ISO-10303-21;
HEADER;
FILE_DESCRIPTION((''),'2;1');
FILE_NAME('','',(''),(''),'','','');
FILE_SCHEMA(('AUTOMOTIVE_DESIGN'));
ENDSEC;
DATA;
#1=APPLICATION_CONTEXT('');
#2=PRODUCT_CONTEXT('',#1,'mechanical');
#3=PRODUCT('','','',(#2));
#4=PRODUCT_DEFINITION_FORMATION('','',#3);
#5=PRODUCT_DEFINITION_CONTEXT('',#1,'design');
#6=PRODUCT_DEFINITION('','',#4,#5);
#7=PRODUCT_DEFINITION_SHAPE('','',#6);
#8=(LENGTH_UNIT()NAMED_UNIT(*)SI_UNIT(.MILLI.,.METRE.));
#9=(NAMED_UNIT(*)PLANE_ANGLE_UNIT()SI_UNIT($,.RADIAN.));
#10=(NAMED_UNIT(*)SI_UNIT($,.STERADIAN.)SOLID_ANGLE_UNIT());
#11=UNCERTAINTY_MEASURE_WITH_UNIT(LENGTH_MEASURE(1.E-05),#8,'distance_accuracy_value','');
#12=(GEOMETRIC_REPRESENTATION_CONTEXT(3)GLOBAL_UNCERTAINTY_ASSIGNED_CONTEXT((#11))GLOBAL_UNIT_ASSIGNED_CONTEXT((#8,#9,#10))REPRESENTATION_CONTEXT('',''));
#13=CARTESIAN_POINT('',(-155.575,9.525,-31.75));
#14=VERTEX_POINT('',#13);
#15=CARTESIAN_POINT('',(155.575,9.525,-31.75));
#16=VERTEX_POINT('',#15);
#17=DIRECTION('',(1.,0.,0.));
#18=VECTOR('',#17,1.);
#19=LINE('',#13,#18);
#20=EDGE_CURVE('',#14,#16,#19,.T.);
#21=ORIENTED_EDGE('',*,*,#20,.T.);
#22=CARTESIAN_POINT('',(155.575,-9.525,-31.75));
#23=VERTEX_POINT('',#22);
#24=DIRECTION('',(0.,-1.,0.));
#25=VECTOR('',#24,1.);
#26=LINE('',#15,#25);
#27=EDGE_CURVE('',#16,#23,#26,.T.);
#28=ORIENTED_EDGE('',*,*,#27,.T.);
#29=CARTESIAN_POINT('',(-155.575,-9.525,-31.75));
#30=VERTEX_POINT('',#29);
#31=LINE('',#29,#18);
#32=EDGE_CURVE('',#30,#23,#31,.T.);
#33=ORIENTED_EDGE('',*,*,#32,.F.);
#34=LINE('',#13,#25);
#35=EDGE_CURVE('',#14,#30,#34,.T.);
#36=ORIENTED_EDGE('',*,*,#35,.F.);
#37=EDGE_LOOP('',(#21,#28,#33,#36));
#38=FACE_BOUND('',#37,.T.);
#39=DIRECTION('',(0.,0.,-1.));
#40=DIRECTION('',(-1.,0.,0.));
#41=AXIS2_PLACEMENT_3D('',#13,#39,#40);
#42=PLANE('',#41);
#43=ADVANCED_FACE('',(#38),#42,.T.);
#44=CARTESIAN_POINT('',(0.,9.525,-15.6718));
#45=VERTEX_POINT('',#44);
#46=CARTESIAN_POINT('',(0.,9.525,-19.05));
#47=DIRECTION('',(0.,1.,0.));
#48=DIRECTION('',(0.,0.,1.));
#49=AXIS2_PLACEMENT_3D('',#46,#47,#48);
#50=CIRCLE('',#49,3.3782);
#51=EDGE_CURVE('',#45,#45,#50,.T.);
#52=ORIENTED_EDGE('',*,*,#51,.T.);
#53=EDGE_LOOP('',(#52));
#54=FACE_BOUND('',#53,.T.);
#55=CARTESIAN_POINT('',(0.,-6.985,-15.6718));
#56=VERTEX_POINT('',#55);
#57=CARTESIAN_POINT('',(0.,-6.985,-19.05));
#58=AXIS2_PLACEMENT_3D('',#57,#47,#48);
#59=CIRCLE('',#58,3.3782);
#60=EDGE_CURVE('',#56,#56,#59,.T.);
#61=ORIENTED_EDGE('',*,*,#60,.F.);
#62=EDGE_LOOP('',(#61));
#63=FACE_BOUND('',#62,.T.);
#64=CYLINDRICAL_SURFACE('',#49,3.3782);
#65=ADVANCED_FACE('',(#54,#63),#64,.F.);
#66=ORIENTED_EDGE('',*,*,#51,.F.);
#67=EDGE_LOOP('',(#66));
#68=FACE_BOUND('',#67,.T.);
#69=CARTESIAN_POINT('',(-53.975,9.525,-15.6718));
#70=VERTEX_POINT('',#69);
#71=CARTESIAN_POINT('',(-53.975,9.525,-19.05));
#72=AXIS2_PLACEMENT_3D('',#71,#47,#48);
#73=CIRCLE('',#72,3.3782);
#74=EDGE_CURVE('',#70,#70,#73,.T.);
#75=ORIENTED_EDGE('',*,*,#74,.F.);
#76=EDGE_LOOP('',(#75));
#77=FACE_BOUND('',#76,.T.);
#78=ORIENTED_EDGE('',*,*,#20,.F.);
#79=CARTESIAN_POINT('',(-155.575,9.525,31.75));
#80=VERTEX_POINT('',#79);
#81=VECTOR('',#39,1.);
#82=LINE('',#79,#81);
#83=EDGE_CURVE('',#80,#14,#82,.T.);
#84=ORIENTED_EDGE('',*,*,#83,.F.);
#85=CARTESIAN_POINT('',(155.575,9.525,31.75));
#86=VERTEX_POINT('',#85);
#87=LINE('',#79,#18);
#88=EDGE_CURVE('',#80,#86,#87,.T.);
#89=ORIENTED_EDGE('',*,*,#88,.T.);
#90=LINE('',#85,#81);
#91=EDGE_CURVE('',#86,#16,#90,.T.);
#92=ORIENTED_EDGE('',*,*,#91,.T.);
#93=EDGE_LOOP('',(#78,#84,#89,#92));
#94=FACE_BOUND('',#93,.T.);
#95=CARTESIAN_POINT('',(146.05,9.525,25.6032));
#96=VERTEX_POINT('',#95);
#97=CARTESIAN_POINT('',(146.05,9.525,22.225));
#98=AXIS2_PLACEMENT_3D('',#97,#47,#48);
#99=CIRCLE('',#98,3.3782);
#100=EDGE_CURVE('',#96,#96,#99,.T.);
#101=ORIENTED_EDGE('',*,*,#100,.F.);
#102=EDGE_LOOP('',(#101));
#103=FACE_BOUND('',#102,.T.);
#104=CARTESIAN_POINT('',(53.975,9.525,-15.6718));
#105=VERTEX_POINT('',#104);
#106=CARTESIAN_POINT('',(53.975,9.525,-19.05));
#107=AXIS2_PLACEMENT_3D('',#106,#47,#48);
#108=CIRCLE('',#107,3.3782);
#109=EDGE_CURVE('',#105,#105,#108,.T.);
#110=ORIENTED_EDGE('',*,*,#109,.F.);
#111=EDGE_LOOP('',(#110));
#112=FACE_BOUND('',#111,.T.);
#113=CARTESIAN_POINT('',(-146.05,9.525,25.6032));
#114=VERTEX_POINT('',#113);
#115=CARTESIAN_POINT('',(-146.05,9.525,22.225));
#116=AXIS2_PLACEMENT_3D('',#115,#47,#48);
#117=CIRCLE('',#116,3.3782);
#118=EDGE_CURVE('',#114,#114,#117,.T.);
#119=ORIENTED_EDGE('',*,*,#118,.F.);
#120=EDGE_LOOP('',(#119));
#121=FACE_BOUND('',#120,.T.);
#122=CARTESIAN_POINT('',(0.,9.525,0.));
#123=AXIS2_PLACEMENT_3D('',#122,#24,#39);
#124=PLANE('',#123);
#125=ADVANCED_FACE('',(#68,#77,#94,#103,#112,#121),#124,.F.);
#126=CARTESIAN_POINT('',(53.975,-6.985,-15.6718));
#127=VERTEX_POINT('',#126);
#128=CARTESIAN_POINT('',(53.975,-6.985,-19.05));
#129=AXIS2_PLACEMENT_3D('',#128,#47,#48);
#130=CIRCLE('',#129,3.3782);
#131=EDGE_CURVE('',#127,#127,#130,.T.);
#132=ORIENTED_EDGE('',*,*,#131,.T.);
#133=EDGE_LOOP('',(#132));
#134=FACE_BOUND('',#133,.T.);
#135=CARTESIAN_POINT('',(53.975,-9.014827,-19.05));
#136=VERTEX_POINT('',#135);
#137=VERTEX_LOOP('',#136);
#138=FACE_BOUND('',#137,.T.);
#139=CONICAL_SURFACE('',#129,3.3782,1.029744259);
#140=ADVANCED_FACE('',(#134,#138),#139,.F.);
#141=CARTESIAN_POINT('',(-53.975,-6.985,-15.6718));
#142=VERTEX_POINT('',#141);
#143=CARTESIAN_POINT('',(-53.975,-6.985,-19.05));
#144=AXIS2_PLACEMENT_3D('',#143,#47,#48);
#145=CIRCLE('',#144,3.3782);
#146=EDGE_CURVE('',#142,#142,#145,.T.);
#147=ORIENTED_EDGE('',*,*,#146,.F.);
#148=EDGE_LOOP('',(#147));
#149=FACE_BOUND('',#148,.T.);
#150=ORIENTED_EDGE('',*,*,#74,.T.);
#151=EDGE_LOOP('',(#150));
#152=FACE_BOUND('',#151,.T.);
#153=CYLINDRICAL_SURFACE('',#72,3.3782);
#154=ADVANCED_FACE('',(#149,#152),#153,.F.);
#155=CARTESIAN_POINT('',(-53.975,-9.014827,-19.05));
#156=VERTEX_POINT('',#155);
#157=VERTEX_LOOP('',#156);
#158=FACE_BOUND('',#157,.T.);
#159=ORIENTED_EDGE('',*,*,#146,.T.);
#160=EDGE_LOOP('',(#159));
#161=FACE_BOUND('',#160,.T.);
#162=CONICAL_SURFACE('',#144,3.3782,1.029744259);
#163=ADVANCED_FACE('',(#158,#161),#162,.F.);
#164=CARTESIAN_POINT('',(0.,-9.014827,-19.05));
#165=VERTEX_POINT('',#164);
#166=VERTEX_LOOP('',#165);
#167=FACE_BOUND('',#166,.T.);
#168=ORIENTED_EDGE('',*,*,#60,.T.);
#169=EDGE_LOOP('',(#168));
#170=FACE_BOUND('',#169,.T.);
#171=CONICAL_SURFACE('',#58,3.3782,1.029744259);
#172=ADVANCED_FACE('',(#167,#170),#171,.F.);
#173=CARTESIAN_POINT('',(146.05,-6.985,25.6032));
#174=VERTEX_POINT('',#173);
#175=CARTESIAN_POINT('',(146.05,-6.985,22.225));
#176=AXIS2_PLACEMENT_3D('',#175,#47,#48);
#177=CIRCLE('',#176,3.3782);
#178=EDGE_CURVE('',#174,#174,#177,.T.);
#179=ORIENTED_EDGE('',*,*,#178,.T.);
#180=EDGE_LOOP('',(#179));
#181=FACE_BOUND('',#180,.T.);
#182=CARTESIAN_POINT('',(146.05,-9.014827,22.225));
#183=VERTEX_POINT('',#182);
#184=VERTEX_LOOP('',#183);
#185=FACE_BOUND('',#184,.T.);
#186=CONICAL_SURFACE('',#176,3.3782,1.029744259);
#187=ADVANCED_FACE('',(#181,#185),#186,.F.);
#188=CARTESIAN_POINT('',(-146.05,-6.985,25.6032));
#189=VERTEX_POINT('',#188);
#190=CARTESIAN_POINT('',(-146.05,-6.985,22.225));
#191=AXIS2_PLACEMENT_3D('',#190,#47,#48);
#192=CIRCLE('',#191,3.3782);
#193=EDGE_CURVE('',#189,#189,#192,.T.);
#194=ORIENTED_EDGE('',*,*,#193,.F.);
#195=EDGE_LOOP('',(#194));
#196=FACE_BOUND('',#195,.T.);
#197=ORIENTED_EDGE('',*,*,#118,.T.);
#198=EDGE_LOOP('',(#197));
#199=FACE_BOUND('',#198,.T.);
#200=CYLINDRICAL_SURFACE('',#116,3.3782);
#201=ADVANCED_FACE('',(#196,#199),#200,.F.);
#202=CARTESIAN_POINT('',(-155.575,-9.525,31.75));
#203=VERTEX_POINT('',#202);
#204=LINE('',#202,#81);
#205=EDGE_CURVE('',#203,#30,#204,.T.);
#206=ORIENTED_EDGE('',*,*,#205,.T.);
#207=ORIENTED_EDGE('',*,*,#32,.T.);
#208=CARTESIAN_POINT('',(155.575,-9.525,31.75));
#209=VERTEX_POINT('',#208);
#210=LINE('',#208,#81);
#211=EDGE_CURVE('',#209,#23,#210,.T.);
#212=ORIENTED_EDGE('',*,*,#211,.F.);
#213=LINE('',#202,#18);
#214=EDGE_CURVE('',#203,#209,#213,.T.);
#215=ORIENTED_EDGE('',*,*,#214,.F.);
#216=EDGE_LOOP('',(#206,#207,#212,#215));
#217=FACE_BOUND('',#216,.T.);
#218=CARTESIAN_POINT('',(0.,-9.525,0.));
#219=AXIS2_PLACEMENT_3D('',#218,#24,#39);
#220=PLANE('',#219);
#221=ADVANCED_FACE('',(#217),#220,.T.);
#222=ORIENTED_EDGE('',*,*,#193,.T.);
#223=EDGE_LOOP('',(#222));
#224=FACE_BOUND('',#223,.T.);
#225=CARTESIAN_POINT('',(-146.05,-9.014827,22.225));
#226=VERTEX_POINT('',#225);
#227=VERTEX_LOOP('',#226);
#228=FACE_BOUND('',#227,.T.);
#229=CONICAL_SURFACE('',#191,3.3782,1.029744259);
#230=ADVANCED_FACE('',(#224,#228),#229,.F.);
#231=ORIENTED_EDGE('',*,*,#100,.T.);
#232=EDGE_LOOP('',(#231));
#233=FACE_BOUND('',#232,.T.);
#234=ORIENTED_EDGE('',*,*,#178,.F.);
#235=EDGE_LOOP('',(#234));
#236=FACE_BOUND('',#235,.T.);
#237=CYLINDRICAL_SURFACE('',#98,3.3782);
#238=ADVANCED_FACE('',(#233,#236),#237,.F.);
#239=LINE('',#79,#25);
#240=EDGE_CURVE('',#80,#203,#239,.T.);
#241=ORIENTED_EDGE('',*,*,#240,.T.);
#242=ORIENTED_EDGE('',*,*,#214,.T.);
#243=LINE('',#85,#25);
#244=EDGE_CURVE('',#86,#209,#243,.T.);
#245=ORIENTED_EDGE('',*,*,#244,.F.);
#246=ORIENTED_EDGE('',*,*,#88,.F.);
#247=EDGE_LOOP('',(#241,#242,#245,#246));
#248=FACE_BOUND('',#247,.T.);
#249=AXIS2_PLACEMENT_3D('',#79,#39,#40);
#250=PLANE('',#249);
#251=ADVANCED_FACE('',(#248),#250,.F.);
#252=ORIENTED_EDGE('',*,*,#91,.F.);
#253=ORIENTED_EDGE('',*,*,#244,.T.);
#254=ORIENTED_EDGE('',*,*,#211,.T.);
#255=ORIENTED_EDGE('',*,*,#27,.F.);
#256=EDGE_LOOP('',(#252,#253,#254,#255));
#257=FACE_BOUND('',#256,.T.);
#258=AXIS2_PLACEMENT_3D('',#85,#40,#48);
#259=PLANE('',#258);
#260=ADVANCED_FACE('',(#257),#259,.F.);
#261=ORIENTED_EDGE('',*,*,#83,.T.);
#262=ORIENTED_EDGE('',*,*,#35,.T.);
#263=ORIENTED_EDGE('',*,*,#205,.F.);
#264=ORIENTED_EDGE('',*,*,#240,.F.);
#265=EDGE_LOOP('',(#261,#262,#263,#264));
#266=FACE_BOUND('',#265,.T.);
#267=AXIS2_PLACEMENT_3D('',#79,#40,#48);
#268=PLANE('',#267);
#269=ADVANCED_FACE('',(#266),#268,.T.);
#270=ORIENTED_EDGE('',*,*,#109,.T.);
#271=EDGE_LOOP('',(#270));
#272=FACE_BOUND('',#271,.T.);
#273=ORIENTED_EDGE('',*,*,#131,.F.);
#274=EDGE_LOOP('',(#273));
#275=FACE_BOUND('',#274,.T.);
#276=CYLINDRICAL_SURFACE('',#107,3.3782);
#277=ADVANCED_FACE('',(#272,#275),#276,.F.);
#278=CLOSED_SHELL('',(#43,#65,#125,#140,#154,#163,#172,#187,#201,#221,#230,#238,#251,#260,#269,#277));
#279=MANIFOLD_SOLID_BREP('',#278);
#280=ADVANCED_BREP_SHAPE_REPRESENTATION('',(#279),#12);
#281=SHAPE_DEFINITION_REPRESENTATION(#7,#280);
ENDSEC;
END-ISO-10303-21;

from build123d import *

# Parameters (mm, degrees)
SKETCH1_W                   = 311.15
SKETCH1_H                   = 63.5
BOSS_EXTRUDE1_DEPTH         = 9.525
F_1_4_CLEARANCE_HOLE1_D     = 6.7564
F_1_4_CLEARANCE_HOLE1_DEPTH = 16.51
F_1_4_CLEARANCE_HOLE1_TIP   = 2.029827343


with BuildPart() as part:
    # Sketch1 → Boss-Extrude1 (new, symmetric)
    with BuildSketch(Plane(origin=(0, 0, 0), x_dir=(1, 0, 0), z_dir=(0, 1, 0))):
        Rectangle(SKETCH1_W, SKETCH1_H)
    extrude(amount=BOSS_EXTRUDE1_DEPTH, both=True)

    # 1/4 Clearance Hole1
    with Locations(Plane(origin=(0, 9.525, 0), x_dir=(1, 0, 0), z_dir=(0, 1, 0))):
        with Locations((-53.975, 19.05), (0, 19.05), (53.975, 19.05), (146.05, -22.225), (-146.05, -22.225)):
            Hole(F_1_4_CLEARANCE_HOLE1_D / 2, depth=F_1_4_CLEARANCE_HOLE1_DEPTH)
            with Locations((0, 0, -(F_1_4_CLEARANCE_HOLE1_DEPTH + F_1_4_CLEARANCE_HOLE1_TIP / 2))):  # 118° drill point
                Cone(0, F_1_4_CLEARANCE_HOLE1_D / 2, F_1_4_CLEARANCE_HOLE1_TIP, mode=Mode.SUBTRACT)


solid = part.part
